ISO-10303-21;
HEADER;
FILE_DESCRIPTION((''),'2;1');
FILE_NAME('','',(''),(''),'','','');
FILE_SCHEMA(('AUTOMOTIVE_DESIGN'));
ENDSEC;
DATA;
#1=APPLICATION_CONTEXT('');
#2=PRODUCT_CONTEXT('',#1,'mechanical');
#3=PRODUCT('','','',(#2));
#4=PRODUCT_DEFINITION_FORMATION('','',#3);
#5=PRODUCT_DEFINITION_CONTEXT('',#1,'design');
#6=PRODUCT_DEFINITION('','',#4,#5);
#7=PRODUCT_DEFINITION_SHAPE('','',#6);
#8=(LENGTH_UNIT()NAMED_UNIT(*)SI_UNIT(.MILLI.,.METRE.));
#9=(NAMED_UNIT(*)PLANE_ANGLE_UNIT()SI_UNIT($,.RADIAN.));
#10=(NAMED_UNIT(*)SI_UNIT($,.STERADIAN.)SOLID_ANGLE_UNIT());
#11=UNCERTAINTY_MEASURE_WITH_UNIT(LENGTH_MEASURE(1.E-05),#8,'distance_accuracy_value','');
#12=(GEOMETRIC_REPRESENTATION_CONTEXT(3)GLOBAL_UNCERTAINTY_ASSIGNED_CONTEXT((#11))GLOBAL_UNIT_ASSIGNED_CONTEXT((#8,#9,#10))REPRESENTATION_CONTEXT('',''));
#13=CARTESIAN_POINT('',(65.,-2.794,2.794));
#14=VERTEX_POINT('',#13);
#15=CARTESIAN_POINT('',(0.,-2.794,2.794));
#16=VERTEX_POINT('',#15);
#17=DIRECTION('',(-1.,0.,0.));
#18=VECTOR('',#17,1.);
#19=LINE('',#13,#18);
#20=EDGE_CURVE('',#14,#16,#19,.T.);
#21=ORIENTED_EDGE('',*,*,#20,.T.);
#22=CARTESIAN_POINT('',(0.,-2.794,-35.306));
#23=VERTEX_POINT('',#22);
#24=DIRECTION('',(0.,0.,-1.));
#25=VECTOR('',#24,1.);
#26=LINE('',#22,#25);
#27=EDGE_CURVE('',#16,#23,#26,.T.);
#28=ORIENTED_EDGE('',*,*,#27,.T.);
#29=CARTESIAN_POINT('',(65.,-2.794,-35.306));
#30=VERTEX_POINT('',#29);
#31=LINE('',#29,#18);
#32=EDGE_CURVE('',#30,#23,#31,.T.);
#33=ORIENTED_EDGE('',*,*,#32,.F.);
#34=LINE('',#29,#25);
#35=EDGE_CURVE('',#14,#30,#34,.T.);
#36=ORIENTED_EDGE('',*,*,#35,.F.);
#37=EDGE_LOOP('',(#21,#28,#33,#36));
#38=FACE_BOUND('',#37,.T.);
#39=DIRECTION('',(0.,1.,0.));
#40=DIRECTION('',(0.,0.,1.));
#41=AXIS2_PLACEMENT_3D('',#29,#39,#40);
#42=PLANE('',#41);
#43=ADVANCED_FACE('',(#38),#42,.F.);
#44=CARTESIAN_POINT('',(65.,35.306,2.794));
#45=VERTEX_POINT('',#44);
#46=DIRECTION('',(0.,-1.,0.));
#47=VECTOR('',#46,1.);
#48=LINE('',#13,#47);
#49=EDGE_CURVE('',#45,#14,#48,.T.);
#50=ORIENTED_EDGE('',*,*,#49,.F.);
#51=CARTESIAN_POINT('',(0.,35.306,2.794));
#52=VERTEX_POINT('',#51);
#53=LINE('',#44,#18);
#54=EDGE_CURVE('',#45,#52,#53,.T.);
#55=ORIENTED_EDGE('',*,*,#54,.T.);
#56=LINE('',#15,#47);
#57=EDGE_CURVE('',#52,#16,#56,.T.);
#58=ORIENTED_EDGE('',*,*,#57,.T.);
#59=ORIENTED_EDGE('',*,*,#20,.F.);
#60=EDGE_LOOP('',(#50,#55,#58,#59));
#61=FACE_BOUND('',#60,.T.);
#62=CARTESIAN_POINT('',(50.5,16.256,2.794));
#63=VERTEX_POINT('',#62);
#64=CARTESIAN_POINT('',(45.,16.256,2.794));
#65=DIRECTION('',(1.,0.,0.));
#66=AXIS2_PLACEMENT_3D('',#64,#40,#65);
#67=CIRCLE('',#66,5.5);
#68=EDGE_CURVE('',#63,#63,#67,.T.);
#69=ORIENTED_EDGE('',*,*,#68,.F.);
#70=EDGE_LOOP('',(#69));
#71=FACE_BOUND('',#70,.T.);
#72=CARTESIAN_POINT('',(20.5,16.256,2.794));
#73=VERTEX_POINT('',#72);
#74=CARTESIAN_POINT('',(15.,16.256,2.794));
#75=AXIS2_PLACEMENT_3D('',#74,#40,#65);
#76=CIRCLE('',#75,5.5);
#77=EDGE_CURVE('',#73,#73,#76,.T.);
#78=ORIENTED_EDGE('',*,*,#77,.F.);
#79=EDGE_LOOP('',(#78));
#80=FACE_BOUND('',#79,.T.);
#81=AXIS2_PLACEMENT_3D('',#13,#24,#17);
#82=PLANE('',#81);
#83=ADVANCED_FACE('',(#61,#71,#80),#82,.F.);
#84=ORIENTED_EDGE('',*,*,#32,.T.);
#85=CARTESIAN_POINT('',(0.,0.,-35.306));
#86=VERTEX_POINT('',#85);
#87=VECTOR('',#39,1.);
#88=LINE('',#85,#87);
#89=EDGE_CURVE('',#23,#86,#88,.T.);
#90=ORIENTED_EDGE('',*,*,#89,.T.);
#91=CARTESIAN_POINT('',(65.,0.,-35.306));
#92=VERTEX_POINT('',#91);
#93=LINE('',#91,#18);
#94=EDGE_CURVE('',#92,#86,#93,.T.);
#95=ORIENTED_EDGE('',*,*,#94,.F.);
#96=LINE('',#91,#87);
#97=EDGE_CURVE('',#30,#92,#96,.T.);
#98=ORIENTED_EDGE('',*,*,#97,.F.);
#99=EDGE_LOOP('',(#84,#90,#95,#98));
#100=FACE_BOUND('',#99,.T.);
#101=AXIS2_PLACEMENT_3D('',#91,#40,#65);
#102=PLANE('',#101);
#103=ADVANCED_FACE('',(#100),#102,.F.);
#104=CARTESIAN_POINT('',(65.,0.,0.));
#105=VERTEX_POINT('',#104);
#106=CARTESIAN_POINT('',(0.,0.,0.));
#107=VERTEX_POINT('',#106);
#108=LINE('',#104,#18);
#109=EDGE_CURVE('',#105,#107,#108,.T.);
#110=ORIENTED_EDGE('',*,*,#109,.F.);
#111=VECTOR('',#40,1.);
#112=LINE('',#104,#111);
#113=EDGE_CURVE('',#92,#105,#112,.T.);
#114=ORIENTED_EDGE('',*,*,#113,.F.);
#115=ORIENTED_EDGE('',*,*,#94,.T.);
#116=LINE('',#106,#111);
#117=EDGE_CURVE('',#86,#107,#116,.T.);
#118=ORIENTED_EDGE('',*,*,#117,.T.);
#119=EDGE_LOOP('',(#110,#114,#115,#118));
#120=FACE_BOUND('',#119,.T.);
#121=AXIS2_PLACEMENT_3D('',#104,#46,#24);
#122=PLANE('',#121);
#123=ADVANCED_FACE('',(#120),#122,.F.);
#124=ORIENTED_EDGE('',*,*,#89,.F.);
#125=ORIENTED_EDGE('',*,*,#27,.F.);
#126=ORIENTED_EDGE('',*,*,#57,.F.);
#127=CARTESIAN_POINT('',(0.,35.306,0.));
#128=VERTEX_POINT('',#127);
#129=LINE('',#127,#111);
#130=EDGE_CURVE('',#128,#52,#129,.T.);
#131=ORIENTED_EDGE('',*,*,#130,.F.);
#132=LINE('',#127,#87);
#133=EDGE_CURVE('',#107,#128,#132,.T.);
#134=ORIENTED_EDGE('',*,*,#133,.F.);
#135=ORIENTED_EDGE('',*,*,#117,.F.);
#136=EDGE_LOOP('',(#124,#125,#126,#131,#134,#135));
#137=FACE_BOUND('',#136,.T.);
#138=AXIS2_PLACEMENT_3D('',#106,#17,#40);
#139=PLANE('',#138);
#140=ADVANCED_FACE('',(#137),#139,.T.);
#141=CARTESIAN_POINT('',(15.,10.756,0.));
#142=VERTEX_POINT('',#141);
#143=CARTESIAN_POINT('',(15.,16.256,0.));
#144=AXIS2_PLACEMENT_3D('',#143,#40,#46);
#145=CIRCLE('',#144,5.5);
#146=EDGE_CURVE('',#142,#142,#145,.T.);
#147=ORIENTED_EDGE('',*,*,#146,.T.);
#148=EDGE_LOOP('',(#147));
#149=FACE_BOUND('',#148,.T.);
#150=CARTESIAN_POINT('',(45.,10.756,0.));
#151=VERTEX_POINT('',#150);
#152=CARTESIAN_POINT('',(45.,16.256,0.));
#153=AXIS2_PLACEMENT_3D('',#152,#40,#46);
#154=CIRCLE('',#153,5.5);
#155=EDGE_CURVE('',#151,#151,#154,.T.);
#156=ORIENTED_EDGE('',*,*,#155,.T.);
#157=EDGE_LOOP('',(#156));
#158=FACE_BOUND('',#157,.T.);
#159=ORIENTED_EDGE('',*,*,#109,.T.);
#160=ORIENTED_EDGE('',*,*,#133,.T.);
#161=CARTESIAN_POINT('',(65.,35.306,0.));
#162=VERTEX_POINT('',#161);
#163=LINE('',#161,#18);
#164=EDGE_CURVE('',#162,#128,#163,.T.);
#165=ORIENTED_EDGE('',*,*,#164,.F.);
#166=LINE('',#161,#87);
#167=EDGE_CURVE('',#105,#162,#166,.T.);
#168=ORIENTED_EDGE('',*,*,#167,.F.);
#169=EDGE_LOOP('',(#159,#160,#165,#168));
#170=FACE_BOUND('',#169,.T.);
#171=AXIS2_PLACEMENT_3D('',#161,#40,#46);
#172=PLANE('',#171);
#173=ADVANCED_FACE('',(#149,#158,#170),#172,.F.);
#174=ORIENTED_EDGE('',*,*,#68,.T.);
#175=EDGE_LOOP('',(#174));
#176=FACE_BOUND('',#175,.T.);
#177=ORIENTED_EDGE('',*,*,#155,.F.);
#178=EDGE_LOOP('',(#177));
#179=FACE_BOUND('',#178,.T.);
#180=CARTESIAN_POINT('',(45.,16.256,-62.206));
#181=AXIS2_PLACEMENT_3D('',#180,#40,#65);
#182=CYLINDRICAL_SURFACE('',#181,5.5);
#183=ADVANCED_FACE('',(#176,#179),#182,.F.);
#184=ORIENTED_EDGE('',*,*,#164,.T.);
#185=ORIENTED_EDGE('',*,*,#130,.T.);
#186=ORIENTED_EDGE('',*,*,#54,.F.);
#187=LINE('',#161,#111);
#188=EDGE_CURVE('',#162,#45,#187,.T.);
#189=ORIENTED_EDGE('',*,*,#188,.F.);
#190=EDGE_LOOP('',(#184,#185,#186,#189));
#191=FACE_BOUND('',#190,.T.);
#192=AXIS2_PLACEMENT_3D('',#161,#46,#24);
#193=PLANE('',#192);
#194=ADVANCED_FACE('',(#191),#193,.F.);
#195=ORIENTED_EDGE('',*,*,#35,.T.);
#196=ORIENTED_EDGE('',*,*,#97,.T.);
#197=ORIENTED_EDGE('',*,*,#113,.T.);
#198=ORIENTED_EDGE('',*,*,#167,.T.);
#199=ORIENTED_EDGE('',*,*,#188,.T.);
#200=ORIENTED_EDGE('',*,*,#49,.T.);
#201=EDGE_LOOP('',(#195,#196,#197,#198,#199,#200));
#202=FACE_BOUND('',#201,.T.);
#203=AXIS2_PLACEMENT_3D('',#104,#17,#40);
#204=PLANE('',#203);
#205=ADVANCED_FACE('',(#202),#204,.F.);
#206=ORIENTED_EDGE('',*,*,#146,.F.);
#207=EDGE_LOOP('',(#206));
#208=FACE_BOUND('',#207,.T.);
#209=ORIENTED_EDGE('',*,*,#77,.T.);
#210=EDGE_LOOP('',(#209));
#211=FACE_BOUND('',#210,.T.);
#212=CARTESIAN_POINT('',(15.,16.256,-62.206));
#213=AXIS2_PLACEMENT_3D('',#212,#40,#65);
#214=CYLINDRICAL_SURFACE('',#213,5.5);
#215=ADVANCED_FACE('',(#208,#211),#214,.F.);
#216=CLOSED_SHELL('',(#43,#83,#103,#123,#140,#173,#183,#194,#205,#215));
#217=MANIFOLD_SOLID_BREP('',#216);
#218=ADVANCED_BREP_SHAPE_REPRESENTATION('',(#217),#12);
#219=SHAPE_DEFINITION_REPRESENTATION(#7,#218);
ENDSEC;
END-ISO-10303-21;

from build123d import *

# Parameters (mm, degrees)
BOSS_EXTRUDE1_DEPTH = 65
SKETCH2_R           = 5.5
CUT_EXTRUDE1_DEPTH  = 65


with BuildPart() as part:
    # Sketch1 → Boss-Extrude1 (new body)
    with BuildSketch(Plane(origin=(0, 0, 0), x_dir=(0, 0, -1), z_dir=(1, 0, 0))):
        Polygon((0, 35.306), (0, 0), (35.306, 0), (35.306, -2.794), (-2.794, -2.794), (-2.794, 35.306), align=None)
    extrude(amount=BOSS_EXTRUDE1_DEPTH)

    # Sketch2 → Cut-Extrude1 (cut)
    with BuildSketch(Plane.XY.offset(2.794)):
        with Locations((15, 16.256)):
            Circle(SKETCH2_R)
        with Locations((45, 16.256)):
            Circle(SKETCH2_R)
    extrude(amount=-CUT_EXTRUDE1_DEPTH, mode=Mode.SUBTRACT)


solid = part.part
